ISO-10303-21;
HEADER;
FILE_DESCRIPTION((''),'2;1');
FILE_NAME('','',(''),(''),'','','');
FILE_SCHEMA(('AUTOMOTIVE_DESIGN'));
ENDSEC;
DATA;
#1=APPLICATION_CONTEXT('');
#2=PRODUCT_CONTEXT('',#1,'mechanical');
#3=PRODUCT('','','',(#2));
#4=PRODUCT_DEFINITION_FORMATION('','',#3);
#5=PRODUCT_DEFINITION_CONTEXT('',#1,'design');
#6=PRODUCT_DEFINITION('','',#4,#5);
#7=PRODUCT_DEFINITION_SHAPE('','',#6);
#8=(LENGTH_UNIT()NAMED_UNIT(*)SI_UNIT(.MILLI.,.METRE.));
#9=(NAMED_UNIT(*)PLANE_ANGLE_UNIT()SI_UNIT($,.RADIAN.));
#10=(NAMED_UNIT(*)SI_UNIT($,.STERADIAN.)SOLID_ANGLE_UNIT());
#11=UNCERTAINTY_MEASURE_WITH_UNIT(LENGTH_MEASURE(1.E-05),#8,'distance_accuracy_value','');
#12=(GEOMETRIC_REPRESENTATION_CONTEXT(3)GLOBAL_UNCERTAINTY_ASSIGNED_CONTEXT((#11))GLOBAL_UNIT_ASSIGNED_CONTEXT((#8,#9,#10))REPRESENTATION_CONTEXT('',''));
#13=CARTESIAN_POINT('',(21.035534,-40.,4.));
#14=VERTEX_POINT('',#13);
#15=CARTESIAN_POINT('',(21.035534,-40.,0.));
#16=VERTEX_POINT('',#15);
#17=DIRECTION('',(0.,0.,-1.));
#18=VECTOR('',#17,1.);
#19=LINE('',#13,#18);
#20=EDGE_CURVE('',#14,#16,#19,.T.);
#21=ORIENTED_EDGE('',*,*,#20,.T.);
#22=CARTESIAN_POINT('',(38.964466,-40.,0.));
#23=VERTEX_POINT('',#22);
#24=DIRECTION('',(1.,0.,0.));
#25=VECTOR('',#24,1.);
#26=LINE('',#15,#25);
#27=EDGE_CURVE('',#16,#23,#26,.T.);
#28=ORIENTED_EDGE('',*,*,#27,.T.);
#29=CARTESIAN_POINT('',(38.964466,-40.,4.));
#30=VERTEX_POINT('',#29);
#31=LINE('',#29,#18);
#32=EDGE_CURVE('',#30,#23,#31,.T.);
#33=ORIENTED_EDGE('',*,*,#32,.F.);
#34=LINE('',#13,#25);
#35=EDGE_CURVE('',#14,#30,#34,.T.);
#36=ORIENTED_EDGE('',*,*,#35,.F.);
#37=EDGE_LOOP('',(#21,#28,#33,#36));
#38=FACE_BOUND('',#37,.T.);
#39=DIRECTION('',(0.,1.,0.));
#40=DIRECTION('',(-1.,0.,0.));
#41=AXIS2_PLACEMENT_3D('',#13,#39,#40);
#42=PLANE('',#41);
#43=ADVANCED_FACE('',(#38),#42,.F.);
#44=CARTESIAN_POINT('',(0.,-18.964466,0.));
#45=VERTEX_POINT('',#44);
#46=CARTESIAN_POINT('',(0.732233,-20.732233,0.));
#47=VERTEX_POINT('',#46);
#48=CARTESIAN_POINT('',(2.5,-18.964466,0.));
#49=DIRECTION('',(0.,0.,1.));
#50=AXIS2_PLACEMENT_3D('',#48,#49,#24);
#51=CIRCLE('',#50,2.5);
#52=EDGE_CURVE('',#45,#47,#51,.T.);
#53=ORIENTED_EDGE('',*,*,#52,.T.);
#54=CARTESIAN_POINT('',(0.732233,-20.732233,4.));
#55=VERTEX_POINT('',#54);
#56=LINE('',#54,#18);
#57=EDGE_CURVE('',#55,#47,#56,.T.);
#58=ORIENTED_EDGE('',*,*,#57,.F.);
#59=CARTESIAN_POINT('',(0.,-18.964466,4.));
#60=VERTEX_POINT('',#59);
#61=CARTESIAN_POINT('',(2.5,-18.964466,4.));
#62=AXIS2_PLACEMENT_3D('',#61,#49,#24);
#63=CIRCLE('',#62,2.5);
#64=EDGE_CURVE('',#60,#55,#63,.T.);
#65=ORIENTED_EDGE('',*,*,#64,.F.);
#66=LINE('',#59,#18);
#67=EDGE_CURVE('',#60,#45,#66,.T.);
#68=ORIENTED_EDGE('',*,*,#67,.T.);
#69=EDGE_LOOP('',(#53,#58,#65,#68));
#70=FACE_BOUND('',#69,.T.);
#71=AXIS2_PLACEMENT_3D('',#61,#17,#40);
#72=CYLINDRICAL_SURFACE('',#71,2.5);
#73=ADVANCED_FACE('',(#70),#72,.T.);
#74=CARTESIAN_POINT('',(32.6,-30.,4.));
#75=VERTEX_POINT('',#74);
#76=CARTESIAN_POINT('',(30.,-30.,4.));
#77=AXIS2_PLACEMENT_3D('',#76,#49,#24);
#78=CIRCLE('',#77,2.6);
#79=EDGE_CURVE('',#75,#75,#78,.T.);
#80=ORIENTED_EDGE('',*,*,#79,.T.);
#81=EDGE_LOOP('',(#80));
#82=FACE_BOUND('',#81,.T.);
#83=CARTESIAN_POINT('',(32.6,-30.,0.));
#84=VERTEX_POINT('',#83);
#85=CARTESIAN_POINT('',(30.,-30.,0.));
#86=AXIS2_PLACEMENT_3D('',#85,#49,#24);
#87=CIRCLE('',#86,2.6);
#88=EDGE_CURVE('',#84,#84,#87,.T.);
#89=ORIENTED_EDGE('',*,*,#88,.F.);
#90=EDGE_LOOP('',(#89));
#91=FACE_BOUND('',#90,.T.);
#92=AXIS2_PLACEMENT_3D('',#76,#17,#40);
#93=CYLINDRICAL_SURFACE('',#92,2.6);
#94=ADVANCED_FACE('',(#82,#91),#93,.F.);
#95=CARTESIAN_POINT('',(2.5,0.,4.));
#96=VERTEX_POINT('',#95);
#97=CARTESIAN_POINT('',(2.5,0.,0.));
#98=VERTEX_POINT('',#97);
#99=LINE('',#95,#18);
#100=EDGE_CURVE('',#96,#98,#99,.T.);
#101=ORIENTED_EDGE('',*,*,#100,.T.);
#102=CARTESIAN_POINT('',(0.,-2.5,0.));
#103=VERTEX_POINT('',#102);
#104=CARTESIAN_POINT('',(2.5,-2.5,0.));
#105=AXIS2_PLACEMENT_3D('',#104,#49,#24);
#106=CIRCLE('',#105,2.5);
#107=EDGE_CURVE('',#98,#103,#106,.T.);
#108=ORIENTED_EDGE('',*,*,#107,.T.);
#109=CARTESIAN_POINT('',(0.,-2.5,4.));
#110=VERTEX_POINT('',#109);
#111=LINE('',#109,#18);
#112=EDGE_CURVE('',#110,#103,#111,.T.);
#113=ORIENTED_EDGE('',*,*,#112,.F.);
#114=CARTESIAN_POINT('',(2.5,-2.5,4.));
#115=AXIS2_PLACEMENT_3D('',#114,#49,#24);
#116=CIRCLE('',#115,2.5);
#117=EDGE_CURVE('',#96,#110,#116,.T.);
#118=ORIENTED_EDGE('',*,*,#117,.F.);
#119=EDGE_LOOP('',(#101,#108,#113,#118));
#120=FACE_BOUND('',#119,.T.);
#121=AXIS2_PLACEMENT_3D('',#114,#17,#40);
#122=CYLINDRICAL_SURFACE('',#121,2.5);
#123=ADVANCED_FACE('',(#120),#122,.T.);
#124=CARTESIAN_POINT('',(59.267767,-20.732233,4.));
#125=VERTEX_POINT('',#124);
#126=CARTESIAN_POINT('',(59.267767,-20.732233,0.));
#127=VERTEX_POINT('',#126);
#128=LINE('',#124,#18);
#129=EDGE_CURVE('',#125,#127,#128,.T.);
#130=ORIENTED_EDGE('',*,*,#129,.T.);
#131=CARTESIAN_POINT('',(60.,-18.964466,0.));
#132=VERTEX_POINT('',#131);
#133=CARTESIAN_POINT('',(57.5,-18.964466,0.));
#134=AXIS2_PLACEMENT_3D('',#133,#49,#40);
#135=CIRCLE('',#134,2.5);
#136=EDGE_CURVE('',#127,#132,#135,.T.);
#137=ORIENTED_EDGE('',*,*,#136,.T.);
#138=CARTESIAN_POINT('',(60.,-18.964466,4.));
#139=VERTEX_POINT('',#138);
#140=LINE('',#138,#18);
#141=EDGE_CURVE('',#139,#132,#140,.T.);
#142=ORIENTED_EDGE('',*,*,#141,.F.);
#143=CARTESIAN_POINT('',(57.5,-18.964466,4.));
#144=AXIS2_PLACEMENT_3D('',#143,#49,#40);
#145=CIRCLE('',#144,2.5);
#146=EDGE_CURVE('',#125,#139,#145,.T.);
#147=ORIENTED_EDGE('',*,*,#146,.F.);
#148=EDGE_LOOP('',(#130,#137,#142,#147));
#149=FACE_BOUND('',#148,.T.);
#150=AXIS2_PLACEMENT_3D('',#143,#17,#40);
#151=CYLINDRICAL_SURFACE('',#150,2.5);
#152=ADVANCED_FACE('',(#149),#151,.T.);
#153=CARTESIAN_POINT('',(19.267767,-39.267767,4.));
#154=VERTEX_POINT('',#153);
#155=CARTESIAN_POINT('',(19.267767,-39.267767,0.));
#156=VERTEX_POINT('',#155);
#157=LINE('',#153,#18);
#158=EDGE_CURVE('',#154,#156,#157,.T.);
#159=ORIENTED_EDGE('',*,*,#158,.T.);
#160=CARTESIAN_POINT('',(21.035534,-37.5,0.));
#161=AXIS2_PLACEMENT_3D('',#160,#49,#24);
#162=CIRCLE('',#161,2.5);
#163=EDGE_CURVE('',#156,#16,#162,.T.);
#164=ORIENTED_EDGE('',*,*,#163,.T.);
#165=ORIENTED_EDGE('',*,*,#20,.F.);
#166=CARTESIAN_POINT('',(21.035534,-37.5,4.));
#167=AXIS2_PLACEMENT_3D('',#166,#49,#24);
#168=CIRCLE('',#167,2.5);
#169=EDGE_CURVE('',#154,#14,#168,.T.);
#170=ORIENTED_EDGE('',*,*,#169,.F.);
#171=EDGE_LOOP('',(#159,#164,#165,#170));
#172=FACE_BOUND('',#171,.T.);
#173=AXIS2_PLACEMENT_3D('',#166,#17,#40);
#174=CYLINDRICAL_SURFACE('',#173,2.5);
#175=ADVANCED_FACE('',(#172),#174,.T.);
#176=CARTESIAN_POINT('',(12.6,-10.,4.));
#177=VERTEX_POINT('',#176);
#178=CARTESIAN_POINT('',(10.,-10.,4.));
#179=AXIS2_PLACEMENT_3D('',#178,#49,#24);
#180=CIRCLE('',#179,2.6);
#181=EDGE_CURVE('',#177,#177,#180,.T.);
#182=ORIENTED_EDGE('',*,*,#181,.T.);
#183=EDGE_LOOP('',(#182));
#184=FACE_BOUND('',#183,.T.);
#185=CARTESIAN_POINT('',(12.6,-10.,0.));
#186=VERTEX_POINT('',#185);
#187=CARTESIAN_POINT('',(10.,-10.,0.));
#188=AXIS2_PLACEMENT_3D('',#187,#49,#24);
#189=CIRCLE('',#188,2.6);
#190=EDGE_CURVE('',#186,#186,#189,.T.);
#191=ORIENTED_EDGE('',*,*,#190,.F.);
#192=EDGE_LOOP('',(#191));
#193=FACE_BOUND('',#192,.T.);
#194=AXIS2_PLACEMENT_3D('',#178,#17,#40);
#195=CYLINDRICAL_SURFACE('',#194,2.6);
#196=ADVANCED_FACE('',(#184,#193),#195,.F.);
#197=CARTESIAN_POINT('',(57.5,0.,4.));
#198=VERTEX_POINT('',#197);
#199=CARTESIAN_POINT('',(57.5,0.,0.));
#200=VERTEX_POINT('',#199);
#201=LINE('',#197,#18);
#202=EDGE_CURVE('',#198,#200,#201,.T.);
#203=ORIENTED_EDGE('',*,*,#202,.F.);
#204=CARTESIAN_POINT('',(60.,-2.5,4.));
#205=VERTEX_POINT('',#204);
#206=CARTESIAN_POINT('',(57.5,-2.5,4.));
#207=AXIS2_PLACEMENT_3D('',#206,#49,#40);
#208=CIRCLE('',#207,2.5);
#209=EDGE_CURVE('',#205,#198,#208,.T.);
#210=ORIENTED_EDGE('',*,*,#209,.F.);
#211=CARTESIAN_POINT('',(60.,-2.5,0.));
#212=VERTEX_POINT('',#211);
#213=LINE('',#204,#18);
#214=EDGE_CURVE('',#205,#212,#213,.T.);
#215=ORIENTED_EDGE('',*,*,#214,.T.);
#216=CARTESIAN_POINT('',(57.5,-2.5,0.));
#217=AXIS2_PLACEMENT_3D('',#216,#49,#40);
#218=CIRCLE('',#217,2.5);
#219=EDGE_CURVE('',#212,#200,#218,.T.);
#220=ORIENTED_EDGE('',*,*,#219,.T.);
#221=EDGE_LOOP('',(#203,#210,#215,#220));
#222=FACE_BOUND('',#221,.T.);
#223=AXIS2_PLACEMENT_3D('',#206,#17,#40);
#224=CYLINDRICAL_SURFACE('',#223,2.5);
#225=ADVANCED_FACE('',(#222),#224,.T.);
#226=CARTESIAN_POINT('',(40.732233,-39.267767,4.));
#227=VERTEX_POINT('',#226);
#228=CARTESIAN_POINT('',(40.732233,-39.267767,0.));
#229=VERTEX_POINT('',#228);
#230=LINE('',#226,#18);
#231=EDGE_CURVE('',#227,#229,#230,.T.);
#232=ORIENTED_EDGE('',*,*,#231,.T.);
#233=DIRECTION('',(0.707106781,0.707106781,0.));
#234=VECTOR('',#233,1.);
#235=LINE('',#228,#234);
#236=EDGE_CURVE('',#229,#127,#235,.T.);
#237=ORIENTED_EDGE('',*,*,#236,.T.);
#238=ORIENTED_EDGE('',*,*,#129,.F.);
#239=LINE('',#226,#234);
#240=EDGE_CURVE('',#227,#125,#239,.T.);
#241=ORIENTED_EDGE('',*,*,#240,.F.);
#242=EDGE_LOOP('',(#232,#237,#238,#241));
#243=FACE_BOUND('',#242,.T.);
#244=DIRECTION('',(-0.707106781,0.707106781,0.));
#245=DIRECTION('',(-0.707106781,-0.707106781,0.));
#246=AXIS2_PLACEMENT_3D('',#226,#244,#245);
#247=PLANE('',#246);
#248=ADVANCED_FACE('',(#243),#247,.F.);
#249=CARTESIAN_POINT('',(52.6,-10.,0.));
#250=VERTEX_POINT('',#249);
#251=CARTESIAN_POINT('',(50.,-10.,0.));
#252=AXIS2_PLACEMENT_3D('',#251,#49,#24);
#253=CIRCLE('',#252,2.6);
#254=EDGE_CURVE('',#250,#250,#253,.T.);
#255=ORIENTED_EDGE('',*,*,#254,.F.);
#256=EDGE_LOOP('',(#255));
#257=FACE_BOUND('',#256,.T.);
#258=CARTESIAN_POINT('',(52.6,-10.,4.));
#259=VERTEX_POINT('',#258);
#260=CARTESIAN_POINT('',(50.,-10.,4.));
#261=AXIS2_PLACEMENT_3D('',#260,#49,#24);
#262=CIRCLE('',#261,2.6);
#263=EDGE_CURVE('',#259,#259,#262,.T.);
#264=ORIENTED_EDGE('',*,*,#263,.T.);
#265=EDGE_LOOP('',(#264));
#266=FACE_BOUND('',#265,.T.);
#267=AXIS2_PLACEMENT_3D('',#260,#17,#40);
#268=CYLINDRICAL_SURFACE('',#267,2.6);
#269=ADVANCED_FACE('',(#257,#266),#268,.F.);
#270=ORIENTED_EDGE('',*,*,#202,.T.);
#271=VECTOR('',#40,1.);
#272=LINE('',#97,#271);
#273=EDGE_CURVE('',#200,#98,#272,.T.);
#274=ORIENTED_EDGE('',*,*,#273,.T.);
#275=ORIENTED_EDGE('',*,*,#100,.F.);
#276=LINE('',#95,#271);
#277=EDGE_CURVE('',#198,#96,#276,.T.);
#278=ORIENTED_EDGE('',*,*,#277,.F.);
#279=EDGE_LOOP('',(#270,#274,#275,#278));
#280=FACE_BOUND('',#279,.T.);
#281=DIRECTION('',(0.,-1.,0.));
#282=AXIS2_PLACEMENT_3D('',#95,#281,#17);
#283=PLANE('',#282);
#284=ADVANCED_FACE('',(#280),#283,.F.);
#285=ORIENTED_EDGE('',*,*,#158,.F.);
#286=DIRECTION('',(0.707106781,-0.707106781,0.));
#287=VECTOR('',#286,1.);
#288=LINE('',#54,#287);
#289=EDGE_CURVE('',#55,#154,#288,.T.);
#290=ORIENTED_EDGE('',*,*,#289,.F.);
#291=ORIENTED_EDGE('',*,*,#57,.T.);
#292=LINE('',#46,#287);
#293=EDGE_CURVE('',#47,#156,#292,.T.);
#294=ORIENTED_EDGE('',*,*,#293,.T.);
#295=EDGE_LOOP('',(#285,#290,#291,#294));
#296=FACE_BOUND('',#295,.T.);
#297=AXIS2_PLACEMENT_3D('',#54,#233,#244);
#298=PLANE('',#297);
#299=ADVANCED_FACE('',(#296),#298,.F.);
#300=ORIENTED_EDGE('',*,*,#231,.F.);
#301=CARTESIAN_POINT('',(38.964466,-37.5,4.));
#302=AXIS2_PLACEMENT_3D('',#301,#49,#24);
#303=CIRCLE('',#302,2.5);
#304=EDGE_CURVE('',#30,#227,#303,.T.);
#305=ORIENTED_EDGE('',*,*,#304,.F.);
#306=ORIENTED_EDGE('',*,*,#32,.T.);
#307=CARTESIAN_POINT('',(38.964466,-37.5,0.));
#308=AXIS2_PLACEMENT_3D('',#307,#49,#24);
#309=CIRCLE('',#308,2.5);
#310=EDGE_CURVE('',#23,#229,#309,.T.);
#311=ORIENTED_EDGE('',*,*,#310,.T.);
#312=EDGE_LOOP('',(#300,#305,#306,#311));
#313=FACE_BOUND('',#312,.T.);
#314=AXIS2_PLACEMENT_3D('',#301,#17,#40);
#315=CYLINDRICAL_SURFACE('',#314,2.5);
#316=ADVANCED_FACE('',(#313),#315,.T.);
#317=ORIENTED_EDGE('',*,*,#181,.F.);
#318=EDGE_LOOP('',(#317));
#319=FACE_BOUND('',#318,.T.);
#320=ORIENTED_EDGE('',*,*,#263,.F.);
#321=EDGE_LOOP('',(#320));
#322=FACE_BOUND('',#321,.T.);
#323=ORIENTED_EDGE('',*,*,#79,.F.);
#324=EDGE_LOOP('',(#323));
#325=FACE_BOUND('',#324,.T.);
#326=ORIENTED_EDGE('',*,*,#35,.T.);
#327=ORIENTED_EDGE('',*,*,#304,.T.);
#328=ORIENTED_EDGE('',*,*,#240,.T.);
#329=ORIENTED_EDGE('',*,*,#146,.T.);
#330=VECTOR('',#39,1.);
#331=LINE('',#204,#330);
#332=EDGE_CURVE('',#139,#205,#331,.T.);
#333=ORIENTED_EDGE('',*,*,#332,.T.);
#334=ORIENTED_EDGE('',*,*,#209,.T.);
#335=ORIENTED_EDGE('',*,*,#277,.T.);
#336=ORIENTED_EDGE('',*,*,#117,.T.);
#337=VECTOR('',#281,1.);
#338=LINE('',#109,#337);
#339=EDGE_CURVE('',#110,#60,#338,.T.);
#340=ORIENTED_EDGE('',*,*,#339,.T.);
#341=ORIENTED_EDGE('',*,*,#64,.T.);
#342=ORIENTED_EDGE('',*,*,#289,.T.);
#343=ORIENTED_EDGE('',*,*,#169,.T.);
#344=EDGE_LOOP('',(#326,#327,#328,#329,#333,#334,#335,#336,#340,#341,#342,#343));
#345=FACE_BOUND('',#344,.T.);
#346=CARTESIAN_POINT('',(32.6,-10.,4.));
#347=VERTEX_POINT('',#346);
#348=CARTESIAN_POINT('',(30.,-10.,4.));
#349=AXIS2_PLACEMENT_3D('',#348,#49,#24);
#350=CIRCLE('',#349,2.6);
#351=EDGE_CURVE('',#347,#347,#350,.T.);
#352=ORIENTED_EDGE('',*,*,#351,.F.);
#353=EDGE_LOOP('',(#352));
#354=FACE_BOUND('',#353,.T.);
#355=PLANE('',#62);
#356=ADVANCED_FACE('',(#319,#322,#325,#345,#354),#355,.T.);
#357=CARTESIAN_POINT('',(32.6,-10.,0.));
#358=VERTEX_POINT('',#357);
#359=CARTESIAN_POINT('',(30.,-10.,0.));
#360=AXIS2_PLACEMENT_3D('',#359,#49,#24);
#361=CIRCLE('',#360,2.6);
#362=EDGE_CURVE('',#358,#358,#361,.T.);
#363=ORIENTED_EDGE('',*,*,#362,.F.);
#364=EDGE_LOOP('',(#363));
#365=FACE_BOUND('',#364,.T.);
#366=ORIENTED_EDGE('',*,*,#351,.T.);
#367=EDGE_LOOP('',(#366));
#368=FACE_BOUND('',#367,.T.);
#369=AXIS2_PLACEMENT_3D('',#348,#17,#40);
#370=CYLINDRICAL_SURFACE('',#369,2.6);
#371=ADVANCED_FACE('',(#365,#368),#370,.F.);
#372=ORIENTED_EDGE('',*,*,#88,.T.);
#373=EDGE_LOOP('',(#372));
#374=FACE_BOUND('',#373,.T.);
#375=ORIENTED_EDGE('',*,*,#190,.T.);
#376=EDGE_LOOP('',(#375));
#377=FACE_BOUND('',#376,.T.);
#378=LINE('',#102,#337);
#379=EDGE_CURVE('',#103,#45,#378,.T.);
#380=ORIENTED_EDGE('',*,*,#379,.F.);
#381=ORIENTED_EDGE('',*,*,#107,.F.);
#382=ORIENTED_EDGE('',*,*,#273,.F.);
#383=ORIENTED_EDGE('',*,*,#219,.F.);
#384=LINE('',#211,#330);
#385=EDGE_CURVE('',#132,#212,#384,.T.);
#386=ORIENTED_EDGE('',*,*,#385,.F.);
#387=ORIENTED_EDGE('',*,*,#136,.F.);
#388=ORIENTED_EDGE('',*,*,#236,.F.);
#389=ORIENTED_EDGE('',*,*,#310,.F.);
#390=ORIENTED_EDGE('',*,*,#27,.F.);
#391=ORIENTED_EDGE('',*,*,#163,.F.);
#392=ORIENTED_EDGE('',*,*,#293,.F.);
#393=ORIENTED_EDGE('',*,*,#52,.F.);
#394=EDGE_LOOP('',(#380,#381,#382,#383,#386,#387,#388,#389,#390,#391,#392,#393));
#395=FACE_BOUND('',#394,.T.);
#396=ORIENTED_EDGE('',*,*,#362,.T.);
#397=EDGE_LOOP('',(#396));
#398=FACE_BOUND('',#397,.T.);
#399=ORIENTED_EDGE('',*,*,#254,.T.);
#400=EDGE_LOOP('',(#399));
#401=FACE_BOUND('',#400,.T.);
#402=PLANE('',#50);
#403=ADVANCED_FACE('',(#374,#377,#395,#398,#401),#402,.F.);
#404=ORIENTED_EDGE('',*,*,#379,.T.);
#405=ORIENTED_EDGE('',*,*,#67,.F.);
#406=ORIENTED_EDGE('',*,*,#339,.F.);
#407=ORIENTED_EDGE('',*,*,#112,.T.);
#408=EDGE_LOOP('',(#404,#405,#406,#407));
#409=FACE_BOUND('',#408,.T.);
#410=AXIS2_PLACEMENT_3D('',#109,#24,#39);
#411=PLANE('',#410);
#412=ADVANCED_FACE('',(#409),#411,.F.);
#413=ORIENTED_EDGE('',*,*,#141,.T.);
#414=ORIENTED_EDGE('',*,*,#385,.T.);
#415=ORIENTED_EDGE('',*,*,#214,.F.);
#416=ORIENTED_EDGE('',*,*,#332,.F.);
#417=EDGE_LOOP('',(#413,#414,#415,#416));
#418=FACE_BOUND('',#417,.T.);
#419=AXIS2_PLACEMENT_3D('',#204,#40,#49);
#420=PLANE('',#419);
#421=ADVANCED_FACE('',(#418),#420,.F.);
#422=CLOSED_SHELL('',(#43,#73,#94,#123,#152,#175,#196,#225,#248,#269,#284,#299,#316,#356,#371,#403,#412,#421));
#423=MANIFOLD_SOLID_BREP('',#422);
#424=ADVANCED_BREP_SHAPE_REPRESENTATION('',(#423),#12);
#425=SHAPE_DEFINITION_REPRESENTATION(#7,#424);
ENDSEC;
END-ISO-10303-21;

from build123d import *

# Parameters (mm, degrees)
SKETCH_1_R      = 2.6
EXTRUDE_1_DEPTH = 4


with BuildPart() as part:
    # Эскиз1 → Бобышка-Вытянуть1 (new body)
    with BuildSketch(Plane.XY):
        with BuildLine():
            Line((2.5, 0), (57.5, 0))
            ThreePointArc((57.5, 0), (59.267766953, -0.732233047), (60, -2.5))
            Line((60, -2.5), (60, -18.964466094))
            ThreePointArc((60, -18.964466094), (59.809698831, -19.921174675), (59.267766953, -20.732233047))
            Line((59.267766953, -20.732233047), (40.732233047, -39.267766953))
            ThreePointArc((40.732233047, -39.267766953), (39.921174675, -39.809698831), (38.964466094, -40))
            Line((38.964466094, -40), (21.035533906, -40))
            ThreePointArc((21.035533906, -40), (20.078825325, -39.809698831), (19.267766953, -39.267766953))
            Line((19.267766953, -39.267766953), (0.732233047, -20.732233047))
            ThreePointArc((0.732233047, -20.732233047), (0.190301169, -19.921174675), (0, -18.964466094))
            Line((0, -18.964466094), (0, -2.5))
            ThreePointArc((0, -2.5), (0.732233047, -0.732233047), (2.5, 0))
        make_face()
        with Locations((10, -10)):
            Circle(SKETCH_1_R, mode=Mode.SUBTRACT)
        with Locations((30, -10)):
            Circle(SKETCH_1_R, mode=Mode.SUBTRACT)
        with Locations((50, -10)):
            Circle(SKETCH_1_R, mode=Mode.SUBTRACT)
        with Locations((30, -30)):
            Circle(SKETCH_1_R, mode=Mode.SUBTRACT)
    extrude(amount=EXTRUDE_1_DEPTH)


solid = part.part
